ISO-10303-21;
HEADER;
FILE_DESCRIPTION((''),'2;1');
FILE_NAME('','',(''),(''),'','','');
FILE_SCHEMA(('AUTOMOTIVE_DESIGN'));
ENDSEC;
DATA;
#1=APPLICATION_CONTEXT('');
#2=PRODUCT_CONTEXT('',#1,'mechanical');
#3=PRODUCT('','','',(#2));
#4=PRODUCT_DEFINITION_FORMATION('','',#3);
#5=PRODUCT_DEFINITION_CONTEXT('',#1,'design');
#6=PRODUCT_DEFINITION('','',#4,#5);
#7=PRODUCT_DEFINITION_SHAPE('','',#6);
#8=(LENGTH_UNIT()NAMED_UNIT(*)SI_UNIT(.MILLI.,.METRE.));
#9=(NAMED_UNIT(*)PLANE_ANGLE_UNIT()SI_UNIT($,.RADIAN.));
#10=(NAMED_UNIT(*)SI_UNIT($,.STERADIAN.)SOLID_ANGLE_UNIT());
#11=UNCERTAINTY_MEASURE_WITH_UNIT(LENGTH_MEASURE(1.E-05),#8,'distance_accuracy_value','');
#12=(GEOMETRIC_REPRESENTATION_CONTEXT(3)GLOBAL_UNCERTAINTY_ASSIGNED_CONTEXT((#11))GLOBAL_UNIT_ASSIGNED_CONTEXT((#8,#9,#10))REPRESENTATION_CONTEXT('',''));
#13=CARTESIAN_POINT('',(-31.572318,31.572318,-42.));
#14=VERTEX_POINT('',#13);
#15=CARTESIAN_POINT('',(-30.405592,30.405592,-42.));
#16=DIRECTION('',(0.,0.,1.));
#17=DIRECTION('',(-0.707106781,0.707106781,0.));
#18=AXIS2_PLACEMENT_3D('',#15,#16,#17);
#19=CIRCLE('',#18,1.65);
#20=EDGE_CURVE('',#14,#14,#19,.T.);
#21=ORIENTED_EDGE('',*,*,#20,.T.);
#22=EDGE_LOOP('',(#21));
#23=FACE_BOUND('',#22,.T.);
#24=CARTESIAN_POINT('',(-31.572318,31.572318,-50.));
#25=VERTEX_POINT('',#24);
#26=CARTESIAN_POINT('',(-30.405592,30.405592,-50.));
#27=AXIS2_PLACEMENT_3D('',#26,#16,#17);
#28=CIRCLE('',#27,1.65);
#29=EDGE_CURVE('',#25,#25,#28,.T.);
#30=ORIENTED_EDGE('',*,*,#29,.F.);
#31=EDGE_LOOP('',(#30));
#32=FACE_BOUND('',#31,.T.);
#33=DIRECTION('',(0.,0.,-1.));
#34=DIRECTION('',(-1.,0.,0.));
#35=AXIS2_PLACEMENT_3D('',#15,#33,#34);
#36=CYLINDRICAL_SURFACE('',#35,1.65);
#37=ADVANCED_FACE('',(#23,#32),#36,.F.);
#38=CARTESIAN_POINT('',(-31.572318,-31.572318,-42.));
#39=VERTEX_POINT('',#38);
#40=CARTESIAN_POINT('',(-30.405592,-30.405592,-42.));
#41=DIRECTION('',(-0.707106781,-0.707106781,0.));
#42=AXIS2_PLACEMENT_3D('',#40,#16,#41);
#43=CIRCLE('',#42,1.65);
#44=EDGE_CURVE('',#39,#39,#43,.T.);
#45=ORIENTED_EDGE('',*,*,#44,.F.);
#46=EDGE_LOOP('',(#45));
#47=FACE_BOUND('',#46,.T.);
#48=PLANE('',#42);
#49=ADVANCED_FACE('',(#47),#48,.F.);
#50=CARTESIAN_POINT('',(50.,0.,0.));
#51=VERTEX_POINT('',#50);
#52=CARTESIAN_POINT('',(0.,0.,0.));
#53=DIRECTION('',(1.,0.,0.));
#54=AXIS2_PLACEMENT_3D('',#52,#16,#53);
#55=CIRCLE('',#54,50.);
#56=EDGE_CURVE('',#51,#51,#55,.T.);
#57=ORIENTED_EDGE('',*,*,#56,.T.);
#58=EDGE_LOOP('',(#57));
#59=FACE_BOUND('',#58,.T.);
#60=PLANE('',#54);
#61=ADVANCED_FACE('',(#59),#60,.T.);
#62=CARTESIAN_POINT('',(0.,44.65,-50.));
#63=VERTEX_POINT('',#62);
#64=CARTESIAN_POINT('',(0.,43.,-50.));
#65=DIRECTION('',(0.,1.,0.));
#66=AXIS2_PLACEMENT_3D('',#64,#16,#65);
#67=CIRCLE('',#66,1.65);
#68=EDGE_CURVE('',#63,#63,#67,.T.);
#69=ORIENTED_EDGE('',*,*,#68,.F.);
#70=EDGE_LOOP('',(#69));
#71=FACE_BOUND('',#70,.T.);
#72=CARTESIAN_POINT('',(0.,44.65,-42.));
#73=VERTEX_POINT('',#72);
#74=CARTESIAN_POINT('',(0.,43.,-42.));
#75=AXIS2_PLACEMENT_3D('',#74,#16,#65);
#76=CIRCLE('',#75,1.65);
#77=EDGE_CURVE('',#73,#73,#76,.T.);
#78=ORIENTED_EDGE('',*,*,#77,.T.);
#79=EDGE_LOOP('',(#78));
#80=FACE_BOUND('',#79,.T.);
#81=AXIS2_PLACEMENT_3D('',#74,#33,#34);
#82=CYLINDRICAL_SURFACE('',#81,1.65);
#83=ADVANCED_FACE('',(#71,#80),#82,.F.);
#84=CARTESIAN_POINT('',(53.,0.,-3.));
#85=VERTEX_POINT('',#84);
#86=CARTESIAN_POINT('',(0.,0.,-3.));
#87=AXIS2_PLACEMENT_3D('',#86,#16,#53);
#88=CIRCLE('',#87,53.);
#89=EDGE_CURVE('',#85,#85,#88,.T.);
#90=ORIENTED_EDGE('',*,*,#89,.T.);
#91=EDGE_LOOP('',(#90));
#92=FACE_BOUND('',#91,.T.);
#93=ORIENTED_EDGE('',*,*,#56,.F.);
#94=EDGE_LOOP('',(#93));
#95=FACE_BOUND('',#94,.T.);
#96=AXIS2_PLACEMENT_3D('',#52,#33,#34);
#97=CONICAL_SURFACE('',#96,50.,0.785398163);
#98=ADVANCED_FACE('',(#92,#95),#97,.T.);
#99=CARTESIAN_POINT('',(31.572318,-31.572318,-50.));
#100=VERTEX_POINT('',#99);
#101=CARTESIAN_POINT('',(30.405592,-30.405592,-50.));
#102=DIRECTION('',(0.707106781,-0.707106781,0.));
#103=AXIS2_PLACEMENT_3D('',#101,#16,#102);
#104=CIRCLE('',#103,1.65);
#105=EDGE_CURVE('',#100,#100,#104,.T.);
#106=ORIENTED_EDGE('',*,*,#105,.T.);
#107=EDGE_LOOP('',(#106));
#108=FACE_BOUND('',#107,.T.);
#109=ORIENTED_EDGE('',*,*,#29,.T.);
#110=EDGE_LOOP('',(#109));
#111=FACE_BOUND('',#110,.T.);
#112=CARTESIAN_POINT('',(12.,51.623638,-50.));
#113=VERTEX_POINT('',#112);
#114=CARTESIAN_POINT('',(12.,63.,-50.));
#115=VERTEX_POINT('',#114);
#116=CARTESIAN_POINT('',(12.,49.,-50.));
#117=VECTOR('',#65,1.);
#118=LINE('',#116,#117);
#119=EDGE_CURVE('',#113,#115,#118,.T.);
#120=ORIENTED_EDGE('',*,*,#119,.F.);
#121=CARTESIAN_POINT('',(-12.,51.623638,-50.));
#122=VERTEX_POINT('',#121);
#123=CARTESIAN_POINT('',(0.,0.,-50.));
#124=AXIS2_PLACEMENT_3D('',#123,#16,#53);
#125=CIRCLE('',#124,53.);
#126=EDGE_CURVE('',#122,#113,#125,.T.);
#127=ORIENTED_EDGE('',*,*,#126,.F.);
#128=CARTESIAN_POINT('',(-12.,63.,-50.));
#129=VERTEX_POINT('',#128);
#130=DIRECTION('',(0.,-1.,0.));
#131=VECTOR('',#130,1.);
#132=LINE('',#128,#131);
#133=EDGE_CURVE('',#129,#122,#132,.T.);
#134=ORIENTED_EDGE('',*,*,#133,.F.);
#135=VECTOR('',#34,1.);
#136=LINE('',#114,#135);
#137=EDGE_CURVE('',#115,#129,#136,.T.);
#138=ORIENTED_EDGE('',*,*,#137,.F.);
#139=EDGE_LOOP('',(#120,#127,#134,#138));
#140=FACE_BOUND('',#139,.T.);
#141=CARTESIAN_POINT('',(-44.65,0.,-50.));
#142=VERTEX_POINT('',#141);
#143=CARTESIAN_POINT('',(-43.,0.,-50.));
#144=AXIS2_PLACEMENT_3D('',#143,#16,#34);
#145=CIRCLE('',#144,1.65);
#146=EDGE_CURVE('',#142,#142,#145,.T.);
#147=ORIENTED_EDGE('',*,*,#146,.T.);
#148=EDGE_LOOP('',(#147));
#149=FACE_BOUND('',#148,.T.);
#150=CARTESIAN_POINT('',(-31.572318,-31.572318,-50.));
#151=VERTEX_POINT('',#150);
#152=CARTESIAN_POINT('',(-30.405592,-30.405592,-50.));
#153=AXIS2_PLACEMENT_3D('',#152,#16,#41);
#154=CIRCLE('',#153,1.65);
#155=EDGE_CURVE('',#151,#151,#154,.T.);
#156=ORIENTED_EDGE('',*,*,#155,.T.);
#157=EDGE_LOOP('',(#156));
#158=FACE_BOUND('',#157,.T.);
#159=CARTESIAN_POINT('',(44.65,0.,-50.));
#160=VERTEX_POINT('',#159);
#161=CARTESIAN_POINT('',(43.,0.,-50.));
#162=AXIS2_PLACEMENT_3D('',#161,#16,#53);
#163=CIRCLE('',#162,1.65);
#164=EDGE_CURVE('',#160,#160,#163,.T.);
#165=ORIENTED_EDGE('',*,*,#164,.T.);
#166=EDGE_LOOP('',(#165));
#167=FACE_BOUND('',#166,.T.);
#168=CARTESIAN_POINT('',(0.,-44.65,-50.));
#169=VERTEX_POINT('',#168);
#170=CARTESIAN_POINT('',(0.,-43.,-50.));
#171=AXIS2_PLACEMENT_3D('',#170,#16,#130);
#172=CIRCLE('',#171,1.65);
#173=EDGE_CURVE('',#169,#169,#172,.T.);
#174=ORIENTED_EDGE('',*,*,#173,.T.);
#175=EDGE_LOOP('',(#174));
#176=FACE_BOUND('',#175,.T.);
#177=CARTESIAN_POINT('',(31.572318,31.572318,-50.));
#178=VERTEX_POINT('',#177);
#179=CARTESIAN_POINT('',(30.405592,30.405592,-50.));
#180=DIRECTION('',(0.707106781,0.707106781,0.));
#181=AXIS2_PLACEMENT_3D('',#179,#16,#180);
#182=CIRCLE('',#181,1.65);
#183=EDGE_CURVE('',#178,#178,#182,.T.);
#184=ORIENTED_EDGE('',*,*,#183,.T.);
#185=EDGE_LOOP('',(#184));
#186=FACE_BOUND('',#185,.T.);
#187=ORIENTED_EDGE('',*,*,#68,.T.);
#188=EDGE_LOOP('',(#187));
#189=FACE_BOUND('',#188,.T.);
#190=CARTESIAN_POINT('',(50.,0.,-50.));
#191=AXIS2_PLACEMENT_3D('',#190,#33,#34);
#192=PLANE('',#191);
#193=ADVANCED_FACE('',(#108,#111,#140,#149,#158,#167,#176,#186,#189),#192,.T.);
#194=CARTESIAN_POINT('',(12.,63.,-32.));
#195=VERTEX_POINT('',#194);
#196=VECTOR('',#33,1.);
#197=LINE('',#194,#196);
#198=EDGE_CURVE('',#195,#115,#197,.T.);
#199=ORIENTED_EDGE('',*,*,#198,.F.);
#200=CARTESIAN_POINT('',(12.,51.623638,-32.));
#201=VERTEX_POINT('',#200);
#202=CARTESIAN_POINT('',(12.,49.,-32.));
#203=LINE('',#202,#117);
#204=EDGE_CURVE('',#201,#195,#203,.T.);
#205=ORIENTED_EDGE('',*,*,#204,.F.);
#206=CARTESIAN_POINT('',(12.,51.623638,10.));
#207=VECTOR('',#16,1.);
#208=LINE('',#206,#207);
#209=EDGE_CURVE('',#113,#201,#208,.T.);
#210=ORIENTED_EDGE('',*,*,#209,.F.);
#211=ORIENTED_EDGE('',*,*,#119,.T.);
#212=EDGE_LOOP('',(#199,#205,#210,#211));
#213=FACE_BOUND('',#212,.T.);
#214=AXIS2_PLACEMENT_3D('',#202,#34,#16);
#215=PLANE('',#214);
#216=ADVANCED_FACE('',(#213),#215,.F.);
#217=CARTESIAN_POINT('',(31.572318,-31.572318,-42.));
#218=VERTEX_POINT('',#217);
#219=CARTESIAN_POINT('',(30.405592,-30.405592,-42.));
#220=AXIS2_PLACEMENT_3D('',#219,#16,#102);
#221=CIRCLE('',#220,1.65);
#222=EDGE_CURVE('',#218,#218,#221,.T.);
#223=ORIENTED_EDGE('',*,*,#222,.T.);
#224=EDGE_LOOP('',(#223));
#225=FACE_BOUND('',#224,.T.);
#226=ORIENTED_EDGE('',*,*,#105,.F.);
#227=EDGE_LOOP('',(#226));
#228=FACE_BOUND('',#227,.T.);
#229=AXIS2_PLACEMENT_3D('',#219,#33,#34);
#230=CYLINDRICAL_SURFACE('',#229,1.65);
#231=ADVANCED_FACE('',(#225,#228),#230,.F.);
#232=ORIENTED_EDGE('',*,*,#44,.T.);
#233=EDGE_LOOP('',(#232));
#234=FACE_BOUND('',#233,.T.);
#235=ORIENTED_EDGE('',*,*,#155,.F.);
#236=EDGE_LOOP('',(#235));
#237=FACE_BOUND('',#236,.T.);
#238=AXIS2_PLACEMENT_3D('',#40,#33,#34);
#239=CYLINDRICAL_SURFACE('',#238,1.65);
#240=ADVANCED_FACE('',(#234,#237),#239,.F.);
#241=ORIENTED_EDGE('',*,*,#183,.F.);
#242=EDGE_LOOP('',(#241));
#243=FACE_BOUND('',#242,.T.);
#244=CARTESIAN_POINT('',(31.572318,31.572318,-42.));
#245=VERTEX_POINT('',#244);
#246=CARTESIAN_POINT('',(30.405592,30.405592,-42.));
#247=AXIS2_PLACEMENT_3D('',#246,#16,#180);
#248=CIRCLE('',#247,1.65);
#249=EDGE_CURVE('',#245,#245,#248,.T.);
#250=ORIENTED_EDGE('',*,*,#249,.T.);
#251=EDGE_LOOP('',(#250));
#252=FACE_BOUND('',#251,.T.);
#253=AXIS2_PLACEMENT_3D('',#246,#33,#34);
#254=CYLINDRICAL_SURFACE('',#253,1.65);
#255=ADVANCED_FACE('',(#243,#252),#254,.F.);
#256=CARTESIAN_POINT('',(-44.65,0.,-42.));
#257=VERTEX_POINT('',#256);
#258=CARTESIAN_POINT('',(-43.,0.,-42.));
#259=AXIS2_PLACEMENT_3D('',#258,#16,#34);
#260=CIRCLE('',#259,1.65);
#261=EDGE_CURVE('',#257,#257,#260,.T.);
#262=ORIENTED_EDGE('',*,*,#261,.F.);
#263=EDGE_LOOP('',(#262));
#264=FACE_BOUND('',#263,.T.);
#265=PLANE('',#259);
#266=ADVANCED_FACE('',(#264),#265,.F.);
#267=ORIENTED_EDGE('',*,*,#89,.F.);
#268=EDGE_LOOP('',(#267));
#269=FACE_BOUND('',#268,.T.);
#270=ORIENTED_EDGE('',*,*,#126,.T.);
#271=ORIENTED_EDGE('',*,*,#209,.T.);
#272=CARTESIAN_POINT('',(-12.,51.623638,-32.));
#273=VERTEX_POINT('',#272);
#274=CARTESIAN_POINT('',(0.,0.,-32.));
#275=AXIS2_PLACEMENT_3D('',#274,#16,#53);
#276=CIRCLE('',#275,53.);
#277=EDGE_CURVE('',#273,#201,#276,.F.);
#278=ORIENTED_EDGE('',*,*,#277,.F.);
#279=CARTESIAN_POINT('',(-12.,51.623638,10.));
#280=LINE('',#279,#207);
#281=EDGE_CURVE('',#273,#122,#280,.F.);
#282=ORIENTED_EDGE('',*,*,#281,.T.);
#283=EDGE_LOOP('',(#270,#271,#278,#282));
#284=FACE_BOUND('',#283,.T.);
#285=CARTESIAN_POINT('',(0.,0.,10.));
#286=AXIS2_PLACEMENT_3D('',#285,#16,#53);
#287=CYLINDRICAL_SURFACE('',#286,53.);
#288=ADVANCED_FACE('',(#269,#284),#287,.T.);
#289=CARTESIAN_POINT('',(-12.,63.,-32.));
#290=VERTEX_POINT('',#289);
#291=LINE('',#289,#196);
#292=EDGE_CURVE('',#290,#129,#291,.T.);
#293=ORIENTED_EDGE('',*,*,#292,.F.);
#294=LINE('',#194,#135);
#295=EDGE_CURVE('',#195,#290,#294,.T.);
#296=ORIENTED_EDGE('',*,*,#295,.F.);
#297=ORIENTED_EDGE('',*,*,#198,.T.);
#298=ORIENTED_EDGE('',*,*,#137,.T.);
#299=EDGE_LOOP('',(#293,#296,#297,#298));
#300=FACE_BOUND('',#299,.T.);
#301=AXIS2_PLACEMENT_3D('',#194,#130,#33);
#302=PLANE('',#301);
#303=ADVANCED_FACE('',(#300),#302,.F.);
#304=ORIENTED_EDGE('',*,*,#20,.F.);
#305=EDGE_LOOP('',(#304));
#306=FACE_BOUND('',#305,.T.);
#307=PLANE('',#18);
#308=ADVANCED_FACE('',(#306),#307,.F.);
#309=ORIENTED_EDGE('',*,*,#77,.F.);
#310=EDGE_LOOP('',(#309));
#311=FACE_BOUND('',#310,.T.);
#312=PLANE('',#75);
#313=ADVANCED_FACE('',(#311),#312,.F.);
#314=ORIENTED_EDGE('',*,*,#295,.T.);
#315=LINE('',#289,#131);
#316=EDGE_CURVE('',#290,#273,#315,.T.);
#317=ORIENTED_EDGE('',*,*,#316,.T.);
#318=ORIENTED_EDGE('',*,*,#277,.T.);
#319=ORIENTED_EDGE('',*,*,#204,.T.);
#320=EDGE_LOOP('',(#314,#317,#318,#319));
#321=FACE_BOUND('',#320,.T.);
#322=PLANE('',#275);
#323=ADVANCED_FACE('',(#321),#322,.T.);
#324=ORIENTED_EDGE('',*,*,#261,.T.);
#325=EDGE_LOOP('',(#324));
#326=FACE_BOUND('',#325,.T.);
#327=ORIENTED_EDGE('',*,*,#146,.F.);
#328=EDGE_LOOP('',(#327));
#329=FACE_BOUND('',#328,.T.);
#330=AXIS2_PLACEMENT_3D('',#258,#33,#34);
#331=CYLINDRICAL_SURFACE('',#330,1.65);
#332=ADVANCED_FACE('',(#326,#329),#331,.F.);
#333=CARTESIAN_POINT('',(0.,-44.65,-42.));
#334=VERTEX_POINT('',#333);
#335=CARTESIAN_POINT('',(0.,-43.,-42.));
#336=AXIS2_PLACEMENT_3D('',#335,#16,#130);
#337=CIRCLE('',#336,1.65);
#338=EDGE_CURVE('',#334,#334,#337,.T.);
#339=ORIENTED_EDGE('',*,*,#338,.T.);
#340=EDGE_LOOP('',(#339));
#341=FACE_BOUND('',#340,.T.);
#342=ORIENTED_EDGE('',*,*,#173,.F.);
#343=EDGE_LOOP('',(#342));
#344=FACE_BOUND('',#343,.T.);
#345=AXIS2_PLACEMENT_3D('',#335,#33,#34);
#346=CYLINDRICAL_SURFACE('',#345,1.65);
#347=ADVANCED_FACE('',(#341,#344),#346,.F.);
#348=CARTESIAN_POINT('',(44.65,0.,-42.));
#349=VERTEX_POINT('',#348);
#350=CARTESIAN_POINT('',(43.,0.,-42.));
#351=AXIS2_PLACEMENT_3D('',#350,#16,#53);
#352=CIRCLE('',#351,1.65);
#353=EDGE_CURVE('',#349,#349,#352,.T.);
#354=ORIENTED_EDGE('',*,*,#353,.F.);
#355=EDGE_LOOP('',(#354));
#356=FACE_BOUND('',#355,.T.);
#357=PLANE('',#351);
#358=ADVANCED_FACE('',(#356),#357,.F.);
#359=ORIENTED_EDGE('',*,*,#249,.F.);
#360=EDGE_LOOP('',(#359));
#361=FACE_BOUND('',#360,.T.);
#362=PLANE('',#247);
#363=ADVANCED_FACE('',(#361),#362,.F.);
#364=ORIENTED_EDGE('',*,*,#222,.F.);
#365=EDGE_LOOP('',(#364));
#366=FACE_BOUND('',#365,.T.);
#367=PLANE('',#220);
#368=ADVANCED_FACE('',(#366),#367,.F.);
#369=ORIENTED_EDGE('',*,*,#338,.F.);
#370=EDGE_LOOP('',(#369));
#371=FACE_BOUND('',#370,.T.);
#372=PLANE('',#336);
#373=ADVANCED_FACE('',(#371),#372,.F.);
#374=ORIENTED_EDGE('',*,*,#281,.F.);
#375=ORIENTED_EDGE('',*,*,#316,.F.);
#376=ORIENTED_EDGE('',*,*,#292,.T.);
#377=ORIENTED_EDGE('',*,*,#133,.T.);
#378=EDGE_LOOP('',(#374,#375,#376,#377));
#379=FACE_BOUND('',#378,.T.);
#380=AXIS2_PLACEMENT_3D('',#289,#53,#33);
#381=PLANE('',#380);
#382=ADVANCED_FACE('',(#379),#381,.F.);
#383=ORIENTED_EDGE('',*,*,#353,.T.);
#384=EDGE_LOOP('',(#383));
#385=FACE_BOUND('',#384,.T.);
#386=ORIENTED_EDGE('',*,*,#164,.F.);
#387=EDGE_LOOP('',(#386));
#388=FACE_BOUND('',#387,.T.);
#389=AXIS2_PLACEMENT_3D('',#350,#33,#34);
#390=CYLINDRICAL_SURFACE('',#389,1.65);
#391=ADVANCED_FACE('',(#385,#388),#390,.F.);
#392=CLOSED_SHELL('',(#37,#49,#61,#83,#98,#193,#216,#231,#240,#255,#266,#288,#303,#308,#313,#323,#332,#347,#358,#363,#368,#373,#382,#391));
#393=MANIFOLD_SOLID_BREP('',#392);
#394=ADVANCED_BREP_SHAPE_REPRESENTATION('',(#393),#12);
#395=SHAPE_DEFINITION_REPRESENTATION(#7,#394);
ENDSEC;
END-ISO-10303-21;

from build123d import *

# Parameters (mm, degrees)
SK_REARHOLE_R           = 1.65
REAR_TAPPED_HOLE_DEPTH  = 8
REAR_HOLE_PATTERN_COUNT = 8
SK_CONNECTOR_W          = 24
SK_CONNECTOR_H          = 14
CONNECTOR_ZONE_DEPTH    = 18


with BuildPart() as part:
    # SK_Body → Housing_Body (revolve)
    with BuildSketch(Plane(origin=(0, 0, 0), x_dir=(1, 0, 0), z_dir=(0, 1, 0))):
        Polygon((0, 0), (50, 0), (53, 3), (53, 50), (50, 50), (0, 50), align=None)
    revolve(axis=Axis((0, 0, 10), (0, 0, -1)))

    # SK_RearHole → Rear_Tapped_Hole (cut)
    with BuildSketch(Plane.XY.offset(-50)):
        with Locations((43, 0)):
            Circle(SK_REARHOLE_R)
    rear_tapped_hole = extrude(amount=REAR_TAPPED_HOLE_DEPTH, mode=Mode.SUBTRACT)

    # Rear_Hole_Pattern: Rear_Tapped_Hole ×8 about axis
    rear_hole_pattern_axis = Axis((0, 0, -52.5), (0, 0, 1))
    for i in range(1, REAR_HOLE_PATTERN_COUNT):
        add(rear_tapped_hole.rotate(rear_hole_pattern_axis, i * 360 / REAR_HOLE_PATTERN_COUNT), mode=Mode.SUBTRACT)

    # SK_Connector → Connector_Zone (add)
    with BuildSketch(Plane.XY.offset(-50)):
        with Locations((0, 56)):
            Rectangle(SK_CONNECTOR_W, SK_CONNECTOR_H)
    extrude(amount=CONNECTOR_ZONE_DEPTH)


solid = part.part
